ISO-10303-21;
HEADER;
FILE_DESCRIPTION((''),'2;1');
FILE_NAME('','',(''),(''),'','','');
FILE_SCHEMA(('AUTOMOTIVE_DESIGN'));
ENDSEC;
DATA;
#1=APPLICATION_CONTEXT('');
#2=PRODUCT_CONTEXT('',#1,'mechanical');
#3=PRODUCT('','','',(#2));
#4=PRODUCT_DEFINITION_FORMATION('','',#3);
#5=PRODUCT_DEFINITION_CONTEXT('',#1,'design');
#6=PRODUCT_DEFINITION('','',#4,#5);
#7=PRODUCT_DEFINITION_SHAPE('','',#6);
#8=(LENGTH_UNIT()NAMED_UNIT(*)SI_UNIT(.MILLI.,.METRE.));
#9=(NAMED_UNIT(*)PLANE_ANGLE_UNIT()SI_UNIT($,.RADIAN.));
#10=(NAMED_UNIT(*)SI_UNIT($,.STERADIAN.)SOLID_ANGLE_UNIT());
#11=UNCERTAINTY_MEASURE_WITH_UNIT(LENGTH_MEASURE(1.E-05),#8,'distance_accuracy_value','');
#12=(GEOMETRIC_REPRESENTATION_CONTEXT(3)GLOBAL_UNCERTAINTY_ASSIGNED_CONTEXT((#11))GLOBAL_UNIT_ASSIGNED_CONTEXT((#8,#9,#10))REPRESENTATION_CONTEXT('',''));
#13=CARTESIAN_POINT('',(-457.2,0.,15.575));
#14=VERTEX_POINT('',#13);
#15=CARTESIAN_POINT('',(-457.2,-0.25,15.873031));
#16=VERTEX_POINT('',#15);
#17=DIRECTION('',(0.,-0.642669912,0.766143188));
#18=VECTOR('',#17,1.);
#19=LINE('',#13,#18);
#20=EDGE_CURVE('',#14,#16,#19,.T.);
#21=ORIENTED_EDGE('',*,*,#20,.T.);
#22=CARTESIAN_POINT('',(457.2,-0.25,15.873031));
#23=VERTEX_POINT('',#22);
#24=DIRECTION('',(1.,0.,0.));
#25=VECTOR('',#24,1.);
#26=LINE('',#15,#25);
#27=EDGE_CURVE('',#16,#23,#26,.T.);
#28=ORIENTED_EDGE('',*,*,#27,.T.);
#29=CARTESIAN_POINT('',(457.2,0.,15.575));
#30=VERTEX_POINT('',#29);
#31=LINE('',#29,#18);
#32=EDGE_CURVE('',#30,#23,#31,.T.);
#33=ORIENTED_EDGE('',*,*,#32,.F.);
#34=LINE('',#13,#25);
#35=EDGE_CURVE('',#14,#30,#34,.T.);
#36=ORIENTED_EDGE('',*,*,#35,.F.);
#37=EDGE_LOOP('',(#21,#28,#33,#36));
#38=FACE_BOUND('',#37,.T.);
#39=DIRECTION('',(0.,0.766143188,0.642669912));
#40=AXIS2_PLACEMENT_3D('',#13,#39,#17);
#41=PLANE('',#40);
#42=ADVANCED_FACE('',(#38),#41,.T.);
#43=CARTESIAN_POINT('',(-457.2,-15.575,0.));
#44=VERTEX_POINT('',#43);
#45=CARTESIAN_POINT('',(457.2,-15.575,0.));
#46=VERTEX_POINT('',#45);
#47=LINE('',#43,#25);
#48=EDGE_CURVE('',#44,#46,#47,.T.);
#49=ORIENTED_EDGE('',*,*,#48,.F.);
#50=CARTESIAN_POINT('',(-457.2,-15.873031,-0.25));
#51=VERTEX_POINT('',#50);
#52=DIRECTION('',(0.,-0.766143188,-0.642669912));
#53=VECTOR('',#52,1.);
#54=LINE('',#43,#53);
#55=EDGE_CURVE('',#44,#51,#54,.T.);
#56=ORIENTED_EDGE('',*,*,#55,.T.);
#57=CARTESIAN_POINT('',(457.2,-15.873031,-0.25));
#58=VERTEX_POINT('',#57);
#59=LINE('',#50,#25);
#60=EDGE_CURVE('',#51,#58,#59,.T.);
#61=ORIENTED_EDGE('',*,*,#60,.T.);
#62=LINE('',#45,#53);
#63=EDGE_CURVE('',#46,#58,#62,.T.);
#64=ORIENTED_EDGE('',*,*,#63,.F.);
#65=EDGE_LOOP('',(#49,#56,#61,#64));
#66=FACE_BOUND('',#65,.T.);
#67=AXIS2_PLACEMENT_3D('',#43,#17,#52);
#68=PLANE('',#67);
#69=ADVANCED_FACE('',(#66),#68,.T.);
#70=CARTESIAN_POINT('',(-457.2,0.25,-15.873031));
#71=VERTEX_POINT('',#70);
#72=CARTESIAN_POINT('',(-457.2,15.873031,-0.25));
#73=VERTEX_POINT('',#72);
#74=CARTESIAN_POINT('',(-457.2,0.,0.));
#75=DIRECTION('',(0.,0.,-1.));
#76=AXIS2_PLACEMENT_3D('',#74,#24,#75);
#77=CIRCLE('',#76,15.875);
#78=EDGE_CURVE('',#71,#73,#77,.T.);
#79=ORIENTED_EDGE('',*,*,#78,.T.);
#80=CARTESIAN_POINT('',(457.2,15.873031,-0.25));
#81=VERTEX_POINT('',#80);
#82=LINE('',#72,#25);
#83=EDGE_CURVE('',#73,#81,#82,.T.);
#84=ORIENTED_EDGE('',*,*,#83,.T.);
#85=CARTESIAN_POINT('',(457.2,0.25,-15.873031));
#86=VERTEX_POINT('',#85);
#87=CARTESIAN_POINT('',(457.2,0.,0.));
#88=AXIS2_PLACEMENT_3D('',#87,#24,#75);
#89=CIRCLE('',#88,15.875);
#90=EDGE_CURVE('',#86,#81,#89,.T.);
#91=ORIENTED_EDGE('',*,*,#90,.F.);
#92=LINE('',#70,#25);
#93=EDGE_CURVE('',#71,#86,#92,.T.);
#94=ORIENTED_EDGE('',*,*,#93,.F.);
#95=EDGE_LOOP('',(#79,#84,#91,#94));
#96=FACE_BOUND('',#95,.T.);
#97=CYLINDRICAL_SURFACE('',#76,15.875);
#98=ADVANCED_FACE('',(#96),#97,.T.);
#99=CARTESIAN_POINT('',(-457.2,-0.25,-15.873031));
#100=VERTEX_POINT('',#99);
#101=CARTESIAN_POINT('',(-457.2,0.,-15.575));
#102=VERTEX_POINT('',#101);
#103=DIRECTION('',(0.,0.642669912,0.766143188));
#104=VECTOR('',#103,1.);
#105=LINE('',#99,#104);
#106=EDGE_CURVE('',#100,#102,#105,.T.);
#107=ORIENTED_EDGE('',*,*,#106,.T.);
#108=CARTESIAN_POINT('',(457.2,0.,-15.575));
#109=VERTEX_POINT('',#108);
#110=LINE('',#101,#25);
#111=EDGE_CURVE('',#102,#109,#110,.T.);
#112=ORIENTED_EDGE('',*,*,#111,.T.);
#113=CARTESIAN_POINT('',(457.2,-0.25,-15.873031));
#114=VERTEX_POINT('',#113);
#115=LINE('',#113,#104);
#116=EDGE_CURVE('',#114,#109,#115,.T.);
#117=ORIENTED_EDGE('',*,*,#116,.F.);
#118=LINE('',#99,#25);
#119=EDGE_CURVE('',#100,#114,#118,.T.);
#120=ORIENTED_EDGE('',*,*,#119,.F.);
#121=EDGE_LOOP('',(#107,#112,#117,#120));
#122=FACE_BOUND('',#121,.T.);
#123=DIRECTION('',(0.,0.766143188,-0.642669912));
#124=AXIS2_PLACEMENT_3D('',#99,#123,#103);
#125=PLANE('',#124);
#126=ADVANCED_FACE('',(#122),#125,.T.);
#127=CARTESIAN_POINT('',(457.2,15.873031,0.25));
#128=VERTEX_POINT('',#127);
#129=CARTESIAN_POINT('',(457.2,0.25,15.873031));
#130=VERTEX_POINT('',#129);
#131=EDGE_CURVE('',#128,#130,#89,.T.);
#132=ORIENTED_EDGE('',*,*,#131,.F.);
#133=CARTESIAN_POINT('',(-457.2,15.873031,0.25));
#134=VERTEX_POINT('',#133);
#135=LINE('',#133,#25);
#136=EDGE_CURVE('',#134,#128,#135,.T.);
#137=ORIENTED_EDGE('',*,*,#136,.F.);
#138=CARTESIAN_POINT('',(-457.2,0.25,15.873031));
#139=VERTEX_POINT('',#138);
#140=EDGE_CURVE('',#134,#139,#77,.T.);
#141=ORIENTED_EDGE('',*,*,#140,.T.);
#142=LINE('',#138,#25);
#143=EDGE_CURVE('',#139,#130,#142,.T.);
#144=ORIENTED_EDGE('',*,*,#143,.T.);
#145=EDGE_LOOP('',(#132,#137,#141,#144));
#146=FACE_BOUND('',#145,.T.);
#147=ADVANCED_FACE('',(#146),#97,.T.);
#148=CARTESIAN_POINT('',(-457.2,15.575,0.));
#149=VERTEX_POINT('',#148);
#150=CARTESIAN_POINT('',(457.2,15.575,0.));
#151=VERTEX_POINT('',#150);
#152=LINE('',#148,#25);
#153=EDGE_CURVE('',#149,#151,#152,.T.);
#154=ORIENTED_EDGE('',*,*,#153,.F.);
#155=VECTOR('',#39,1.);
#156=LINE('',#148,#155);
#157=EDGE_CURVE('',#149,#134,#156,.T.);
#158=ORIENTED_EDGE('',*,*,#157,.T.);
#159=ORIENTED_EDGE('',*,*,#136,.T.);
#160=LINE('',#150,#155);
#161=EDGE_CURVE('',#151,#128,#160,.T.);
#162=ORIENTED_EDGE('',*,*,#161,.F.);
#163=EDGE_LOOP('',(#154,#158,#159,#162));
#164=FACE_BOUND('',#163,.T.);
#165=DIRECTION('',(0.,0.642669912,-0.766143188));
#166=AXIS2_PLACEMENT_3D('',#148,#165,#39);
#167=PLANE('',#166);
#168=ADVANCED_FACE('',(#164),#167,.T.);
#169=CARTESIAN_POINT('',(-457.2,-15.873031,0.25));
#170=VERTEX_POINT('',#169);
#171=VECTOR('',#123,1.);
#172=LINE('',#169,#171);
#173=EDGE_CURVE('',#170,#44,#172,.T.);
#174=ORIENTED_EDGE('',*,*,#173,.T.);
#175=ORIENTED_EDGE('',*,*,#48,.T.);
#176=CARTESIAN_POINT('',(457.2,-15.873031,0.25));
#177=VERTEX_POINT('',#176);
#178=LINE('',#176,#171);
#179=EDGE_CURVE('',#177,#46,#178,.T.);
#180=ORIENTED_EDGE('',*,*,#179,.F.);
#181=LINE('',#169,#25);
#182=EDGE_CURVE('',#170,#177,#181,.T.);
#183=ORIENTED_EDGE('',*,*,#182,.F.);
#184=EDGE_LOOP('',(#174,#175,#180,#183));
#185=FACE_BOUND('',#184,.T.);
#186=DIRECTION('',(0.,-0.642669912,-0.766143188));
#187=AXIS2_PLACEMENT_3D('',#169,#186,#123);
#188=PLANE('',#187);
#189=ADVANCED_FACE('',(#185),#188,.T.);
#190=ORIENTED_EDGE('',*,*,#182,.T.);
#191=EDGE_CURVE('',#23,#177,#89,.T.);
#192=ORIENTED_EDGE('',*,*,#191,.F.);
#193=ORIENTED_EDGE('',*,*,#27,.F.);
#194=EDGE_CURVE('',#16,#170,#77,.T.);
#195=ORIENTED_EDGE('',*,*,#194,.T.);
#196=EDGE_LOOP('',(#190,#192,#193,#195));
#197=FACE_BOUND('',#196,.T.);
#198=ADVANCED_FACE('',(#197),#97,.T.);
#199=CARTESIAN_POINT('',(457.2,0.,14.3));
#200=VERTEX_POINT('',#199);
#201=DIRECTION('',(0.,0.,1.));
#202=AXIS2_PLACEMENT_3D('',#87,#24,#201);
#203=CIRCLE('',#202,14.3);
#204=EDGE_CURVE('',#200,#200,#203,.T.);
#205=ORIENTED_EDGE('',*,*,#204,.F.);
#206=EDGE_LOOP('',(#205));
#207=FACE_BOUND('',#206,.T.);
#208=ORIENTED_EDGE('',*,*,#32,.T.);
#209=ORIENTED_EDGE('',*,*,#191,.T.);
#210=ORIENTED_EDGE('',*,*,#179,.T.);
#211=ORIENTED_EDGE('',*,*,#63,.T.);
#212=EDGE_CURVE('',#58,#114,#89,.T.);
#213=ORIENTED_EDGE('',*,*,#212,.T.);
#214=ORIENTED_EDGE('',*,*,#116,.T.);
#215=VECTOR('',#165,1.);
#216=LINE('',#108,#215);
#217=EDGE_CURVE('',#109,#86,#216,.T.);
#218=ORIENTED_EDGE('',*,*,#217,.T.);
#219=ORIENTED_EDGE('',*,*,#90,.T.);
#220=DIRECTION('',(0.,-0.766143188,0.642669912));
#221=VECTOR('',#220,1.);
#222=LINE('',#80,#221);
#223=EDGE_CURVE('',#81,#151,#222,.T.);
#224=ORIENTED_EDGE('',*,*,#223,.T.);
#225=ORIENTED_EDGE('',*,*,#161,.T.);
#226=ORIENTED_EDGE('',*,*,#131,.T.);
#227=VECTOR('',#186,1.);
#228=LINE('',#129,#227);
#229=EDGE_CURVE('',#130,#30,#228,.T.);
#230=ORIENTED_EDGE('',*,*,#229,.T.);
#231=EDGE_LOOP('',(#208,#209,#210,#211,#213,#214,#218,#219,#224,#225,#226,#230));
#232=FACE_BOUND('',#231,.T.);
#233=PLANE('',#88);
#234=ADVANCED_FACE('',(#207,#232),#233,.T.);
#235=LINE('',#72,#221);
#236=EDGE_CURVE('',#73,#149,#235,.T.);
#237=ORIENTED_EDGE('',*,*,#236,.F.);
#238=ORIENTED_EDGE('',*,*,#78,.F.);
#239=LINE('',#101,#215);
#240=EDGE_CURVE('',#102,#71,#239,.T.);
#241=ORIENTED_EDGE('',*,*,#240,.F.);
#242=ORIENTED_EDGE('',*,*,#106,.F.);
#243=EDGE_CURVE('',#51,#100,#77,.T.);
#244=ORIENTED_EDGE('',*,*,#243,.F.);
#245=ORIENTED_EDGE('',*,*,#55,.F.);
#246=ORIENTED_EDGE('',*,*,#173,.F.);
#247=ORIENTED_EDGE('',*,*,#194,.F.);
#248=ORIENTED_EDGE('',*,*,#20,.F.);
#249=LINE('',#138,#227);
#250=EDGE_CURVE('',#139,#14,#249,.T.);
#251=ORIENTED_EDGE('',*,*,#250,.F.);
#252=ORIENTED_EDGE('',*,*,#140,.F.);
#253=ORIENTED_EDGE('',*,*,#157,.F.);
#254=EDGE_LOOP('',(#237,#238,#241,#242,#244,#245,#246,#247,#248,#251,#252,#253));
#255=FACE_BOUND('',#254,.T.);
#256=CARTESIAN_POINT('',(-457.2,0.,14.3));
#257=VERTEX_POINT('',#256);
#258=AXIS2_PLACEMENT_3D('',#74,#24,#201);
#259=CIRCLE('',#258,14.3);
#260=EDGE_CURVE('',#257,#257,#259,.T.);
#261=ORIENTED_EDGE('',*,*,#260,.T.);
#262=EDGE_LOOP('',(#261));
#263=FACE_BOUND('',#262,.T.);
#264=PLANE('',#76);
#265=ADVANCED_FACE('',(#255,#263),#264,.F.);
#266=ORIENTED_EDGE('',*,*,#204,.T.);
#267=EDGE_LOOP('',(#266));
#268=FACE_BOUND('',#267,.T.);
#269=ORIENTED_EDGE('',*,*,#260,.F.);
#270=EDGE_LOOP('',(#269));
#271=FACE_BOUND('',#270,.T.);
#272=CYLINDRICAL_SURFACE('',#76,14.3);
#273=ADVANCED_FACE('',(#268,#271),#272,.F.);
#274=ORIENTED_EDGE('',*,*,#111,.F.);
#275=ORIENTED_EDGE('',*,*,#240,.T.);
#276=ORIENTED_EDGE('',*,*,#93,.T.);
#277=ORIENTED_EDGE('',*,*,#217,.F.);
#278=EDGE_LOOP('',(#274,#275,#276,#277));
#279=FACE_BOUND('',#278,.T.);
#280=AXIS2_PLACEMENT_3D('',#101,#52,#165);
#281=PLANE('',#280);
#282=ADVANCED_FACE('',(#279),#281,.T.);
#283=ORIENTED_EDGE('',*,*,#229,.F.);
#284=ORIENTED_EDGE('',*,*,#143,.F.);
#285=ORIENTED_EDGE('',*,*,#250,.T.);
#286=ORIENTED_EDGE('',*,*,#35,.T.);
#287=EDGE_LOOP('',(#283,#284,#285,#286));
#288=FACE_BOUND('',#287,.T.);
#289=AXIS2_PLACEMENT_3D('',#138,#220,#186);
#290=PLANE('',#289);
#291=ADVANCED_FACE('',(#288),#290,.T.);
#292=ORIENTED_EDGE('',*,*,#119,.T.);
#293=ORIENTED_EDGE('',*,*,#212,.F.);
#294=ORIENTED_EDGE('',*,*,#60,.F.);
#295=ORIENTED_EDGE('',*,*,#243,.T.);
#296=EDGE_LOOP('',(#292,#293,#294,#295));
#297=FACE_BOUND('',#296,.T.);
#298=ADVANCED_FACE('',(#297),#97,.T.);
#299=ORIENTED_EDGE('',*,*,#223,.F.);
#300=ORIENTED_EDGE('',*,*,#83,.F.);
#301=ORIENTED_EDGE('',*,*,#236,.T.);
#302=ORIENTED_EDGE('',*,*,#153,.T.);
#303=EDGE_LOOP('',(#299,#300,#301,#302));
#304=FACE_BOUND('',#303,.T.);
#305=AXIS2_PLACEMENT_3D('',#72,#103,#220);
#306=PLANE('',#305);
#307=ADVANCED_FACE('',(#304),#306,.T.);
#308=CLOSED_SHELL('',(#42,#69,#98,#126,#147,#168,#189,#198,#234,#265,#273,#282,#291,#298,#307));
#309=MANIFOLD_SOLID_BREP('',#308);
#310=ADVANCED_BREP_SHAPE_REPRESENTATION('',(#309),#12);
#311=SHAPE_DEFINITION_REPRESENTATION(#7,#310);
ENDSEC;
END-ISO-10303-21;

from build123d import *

# Parameters (mm, degrees)
SKETCH1_R           = 14.3
BOSS_EXTRUDE1_DEPTH = 914.4


with BuildPart() as part:
    # Sketch1 → Boss-Extrude1 (new body)
    with BuildSketch(Plane(origin=(457.2, 0, 0), x_dir=(0, 0, -1), z_dir=(1, 0, 0))):
        with BuildLine():
            Line((-0.25, -15.873031374), (0, -15.575))
            Line((0, -15.575), (0.25, -15.873031374))
            ThreePointArc((0.25, -15.873031374), (11.225320151, -11.225320151), (15.873031374, -0.25))
            Line((15.873031374, -0.25), (15.575, 0))
            Line((15.575, 0), (15.873031374, 0.25))
            ThreePointArc((15.873031374, 0.25), (11.225320151, 11.225320151), (0.25, 15.873031374))
            Line((0.25, 15.873031374), (0, 15.575))
            Line((0, 15.575), (-0.25, 15.873031374))
            ThreePointArc((-0.25, 15.873031374), (-11.225320151, 11.225320151), (-15.873031374, 0.25))
            Line((-15.873031374, 0.25), (-15.575, 0))
            Line((-15.575, 0), (-15.873031374, -0.25))
            ThreePointArc((-15.873031374, -0.25), (-11.225320151, -11.225320151), (-0.25, -15.873031374))
        make_face()
        with Locations(Location((0, 0, 0), (0, 0, 180))):
            Circle(SKETCH1_R, mode=Mode.SUBTRACT)
    extrude(amount=-BOSS_EXTRUDE1_DEPTH)


solid = part.part
